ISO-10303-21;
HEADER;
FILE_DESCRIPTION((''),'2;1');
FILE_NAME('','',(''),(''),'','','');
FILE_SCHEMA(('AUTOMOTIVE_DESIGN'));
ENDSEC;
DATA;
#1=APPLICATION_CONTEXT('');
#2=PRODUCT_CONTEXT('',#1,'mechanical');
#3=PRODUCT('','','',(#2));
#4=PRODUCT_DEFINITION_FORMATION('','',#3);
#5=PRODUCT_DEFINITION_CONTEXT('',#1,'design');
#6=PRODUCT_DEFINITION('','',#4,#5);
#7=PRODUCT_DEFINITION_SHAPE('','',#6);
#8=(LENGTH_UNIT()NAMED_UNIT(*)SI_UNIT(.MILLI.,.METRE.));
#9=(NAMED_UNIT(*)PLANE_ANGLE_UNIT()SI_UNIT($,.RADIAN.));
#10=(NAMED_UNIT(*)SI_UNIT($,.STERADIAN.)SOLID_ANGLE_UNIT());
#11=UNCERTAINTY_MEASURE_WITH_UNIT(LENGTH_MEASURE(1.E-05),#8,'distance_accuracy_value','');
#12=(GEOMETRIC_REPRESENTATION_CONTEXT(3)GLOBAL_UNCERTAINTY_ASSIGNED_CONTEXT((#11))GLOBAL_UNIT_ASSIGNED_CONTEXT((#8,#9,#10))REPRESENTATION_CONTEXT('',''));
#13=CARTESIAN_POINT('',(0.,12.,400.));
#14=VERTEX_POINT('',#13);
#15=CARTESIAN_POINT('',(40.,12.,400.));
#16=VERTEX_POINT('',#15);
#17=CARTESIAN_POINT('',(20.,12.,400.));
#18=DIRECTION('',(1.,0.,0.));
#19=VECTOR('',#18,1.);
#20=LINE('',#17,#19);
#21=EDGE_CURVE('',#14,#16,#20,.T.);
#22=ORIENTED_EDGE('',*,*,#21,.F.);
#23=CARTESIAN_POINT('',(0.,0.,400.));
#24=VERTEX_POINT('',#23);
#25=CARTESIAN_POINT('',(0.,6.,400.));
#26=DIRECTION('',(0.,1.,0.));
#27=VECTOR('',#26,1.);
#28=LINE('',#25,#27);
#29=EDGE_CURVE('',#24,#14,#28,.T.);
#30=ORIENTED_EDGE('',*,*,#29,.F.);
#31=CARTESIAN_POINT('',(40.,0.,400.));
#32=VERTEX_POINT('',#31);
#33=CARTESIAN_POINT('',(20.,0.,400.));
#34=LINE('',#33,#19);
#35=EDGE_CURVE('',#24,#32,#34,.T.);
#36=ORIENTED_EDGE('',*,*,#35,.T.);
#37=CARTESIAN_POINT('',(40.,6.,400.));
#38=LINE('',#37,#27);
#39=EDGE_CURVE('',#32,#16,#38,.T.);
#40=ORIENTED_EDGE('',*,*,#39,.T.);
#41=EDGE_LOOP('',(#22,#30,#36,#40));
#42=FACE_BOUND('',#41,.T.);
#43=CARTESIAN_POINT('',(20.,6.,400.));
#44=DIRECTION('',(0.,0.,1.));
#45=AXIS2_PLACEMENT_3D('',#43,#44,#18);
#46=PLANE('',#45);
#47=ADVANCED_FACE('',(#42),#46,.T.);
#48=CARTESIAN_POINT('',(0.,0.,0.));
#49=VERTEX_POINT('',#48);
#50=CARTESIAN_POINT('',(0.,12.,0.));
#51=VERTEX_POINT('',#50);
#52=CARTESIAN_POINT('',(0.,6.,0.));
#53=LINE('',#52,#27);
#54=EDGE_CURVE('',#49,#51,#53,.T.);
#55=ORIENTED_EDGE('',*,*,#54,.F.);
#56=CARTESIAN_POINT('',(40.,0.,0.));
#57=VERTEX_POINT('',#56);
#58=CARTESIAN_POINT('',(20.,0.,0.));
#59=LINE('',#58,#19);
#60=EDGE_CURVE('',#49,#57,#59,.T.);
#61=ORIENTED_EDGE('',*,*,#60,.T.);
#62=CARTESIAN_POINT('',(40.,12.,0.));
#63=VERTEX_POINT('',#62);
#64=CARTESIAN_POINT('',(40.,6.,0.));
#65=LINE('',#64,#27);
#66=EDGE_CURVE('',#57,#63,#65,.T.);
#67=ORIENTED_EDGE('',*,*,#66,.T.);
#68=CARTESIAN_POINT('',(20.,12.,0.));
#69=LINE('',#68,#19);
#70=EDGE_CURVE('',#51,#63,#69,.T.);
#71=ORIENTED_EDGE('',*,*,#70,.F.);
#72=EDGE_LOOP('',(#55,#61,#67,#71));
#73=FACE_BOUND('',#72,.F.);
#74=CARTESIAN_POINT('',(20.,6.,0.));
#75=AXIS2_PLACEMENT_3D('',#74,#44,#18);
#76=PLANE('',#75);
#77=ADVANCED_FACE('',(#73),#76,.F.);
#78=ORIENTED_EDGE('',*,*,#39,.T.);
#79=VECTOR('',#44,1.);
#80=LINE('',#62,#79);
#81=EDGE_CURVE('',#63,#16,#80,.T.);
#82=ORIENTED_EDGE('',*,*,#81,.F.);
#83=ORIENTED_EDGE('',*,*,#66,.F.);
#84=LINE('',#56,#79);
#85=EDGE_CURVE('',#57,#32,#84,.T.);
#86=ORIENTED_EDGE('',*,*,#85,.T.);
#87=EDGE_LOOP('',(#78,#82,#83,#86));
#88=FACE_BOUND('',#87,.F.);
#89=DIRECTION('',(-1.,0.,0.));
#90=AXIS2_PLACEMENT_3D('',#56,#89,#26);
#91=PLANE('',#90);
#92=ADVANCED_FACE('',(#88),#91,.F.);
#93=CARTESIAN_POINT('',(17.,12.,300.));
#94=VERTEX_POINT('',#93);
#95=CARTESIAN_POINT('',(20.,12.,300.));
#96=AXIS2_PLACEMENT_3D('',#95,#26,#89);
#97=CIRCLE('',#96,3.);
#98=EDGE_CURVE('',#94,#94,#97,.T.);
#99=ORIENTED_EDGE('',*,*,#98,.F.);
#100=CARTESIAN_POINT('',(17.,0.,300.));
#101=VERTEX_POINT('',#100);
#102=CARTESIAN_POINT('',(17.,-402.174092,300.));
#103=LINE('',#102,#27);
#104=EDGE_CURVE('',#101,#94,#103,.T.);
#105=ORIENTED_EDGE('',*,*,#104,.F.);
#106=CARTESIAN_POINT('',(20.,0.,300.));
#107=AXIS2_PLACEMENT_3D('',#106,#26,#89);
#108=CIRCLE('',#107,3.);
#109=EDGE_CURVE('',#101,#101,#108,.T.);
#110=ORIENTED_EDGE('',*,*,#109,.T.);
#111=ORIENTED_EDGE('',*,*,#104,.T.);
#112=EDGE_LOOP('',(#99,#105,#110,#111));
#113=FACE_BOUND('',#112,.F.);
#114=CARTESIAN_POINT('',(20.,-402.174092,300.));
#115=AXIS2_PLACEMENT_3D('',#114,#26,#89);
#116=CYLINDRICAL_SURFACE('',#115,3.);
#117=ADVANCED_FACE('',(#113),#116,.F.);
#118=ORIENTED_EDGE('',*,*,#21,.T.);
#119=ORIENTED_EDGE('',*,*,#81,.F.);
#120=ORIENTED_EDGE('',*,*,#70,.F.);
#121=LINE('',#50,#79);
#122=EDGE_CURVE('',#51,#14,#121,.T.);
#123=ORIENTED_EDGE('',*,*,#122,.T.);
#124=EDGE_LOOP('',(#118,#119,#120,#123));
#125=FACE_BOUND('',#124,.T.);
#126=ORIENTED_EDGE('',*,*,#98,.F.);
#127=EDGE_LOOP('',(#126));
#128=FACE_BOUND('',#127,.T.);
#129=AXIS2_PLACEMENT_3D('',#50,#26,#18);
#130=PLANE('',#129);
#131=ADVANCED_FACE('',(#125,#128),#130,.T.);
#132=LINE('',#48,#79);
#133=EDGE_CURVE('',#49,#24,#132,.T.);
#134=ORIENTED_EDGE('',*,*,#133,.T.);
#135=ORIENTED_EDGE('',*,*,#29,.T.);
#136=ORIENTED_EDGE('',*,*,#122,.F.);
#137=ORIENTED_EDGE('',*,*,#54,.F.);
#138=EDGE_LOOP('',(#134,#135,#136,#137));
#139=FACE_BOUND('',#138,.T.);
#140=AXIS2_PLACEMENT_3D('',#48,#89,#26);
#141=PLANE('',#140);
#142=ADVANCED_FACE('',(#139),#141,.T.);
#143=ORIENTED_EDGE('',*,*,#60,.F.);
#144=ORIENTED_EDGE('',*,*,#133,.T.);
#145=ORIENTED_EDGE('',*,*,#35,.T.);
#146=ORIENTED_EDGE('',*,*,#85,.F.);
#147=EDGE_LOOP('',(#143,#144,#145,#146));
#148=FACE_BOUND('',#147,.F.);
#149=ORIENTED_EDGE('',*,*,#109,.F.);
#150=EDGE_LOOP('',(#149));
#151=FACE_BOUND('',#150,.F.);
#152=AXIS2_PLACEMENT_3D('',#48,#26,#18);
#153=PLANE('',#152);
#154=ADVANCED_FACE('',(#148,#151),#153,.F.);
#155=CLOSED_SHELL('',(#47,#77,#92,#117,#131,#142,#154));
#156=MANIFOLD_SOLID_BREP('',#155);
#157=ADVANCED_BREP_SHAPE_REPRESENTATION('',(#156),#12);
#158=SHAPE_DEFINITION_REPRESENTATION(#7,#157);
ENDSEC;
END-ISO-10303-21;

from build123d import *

# Parameters (mm, degrees)
F0_W     = 40
F0_H     = 12
F1_DEPTH = 400
F3_D     = 6


with BuildPart() as f1:
    # F0 (on Top) → F1 (new body)
    with BuildSketch(Plane.XY):
        with Locations((20, 6)):
            Rectangle(F0_W, F0_H)
    extrude(amount=F1_DEPTH)

    # F3 (through all)
    with Locations(Plane.XZ):
        with Locations((20, 300)):
            Hole(F3_D / 2)


solid = f1.part
